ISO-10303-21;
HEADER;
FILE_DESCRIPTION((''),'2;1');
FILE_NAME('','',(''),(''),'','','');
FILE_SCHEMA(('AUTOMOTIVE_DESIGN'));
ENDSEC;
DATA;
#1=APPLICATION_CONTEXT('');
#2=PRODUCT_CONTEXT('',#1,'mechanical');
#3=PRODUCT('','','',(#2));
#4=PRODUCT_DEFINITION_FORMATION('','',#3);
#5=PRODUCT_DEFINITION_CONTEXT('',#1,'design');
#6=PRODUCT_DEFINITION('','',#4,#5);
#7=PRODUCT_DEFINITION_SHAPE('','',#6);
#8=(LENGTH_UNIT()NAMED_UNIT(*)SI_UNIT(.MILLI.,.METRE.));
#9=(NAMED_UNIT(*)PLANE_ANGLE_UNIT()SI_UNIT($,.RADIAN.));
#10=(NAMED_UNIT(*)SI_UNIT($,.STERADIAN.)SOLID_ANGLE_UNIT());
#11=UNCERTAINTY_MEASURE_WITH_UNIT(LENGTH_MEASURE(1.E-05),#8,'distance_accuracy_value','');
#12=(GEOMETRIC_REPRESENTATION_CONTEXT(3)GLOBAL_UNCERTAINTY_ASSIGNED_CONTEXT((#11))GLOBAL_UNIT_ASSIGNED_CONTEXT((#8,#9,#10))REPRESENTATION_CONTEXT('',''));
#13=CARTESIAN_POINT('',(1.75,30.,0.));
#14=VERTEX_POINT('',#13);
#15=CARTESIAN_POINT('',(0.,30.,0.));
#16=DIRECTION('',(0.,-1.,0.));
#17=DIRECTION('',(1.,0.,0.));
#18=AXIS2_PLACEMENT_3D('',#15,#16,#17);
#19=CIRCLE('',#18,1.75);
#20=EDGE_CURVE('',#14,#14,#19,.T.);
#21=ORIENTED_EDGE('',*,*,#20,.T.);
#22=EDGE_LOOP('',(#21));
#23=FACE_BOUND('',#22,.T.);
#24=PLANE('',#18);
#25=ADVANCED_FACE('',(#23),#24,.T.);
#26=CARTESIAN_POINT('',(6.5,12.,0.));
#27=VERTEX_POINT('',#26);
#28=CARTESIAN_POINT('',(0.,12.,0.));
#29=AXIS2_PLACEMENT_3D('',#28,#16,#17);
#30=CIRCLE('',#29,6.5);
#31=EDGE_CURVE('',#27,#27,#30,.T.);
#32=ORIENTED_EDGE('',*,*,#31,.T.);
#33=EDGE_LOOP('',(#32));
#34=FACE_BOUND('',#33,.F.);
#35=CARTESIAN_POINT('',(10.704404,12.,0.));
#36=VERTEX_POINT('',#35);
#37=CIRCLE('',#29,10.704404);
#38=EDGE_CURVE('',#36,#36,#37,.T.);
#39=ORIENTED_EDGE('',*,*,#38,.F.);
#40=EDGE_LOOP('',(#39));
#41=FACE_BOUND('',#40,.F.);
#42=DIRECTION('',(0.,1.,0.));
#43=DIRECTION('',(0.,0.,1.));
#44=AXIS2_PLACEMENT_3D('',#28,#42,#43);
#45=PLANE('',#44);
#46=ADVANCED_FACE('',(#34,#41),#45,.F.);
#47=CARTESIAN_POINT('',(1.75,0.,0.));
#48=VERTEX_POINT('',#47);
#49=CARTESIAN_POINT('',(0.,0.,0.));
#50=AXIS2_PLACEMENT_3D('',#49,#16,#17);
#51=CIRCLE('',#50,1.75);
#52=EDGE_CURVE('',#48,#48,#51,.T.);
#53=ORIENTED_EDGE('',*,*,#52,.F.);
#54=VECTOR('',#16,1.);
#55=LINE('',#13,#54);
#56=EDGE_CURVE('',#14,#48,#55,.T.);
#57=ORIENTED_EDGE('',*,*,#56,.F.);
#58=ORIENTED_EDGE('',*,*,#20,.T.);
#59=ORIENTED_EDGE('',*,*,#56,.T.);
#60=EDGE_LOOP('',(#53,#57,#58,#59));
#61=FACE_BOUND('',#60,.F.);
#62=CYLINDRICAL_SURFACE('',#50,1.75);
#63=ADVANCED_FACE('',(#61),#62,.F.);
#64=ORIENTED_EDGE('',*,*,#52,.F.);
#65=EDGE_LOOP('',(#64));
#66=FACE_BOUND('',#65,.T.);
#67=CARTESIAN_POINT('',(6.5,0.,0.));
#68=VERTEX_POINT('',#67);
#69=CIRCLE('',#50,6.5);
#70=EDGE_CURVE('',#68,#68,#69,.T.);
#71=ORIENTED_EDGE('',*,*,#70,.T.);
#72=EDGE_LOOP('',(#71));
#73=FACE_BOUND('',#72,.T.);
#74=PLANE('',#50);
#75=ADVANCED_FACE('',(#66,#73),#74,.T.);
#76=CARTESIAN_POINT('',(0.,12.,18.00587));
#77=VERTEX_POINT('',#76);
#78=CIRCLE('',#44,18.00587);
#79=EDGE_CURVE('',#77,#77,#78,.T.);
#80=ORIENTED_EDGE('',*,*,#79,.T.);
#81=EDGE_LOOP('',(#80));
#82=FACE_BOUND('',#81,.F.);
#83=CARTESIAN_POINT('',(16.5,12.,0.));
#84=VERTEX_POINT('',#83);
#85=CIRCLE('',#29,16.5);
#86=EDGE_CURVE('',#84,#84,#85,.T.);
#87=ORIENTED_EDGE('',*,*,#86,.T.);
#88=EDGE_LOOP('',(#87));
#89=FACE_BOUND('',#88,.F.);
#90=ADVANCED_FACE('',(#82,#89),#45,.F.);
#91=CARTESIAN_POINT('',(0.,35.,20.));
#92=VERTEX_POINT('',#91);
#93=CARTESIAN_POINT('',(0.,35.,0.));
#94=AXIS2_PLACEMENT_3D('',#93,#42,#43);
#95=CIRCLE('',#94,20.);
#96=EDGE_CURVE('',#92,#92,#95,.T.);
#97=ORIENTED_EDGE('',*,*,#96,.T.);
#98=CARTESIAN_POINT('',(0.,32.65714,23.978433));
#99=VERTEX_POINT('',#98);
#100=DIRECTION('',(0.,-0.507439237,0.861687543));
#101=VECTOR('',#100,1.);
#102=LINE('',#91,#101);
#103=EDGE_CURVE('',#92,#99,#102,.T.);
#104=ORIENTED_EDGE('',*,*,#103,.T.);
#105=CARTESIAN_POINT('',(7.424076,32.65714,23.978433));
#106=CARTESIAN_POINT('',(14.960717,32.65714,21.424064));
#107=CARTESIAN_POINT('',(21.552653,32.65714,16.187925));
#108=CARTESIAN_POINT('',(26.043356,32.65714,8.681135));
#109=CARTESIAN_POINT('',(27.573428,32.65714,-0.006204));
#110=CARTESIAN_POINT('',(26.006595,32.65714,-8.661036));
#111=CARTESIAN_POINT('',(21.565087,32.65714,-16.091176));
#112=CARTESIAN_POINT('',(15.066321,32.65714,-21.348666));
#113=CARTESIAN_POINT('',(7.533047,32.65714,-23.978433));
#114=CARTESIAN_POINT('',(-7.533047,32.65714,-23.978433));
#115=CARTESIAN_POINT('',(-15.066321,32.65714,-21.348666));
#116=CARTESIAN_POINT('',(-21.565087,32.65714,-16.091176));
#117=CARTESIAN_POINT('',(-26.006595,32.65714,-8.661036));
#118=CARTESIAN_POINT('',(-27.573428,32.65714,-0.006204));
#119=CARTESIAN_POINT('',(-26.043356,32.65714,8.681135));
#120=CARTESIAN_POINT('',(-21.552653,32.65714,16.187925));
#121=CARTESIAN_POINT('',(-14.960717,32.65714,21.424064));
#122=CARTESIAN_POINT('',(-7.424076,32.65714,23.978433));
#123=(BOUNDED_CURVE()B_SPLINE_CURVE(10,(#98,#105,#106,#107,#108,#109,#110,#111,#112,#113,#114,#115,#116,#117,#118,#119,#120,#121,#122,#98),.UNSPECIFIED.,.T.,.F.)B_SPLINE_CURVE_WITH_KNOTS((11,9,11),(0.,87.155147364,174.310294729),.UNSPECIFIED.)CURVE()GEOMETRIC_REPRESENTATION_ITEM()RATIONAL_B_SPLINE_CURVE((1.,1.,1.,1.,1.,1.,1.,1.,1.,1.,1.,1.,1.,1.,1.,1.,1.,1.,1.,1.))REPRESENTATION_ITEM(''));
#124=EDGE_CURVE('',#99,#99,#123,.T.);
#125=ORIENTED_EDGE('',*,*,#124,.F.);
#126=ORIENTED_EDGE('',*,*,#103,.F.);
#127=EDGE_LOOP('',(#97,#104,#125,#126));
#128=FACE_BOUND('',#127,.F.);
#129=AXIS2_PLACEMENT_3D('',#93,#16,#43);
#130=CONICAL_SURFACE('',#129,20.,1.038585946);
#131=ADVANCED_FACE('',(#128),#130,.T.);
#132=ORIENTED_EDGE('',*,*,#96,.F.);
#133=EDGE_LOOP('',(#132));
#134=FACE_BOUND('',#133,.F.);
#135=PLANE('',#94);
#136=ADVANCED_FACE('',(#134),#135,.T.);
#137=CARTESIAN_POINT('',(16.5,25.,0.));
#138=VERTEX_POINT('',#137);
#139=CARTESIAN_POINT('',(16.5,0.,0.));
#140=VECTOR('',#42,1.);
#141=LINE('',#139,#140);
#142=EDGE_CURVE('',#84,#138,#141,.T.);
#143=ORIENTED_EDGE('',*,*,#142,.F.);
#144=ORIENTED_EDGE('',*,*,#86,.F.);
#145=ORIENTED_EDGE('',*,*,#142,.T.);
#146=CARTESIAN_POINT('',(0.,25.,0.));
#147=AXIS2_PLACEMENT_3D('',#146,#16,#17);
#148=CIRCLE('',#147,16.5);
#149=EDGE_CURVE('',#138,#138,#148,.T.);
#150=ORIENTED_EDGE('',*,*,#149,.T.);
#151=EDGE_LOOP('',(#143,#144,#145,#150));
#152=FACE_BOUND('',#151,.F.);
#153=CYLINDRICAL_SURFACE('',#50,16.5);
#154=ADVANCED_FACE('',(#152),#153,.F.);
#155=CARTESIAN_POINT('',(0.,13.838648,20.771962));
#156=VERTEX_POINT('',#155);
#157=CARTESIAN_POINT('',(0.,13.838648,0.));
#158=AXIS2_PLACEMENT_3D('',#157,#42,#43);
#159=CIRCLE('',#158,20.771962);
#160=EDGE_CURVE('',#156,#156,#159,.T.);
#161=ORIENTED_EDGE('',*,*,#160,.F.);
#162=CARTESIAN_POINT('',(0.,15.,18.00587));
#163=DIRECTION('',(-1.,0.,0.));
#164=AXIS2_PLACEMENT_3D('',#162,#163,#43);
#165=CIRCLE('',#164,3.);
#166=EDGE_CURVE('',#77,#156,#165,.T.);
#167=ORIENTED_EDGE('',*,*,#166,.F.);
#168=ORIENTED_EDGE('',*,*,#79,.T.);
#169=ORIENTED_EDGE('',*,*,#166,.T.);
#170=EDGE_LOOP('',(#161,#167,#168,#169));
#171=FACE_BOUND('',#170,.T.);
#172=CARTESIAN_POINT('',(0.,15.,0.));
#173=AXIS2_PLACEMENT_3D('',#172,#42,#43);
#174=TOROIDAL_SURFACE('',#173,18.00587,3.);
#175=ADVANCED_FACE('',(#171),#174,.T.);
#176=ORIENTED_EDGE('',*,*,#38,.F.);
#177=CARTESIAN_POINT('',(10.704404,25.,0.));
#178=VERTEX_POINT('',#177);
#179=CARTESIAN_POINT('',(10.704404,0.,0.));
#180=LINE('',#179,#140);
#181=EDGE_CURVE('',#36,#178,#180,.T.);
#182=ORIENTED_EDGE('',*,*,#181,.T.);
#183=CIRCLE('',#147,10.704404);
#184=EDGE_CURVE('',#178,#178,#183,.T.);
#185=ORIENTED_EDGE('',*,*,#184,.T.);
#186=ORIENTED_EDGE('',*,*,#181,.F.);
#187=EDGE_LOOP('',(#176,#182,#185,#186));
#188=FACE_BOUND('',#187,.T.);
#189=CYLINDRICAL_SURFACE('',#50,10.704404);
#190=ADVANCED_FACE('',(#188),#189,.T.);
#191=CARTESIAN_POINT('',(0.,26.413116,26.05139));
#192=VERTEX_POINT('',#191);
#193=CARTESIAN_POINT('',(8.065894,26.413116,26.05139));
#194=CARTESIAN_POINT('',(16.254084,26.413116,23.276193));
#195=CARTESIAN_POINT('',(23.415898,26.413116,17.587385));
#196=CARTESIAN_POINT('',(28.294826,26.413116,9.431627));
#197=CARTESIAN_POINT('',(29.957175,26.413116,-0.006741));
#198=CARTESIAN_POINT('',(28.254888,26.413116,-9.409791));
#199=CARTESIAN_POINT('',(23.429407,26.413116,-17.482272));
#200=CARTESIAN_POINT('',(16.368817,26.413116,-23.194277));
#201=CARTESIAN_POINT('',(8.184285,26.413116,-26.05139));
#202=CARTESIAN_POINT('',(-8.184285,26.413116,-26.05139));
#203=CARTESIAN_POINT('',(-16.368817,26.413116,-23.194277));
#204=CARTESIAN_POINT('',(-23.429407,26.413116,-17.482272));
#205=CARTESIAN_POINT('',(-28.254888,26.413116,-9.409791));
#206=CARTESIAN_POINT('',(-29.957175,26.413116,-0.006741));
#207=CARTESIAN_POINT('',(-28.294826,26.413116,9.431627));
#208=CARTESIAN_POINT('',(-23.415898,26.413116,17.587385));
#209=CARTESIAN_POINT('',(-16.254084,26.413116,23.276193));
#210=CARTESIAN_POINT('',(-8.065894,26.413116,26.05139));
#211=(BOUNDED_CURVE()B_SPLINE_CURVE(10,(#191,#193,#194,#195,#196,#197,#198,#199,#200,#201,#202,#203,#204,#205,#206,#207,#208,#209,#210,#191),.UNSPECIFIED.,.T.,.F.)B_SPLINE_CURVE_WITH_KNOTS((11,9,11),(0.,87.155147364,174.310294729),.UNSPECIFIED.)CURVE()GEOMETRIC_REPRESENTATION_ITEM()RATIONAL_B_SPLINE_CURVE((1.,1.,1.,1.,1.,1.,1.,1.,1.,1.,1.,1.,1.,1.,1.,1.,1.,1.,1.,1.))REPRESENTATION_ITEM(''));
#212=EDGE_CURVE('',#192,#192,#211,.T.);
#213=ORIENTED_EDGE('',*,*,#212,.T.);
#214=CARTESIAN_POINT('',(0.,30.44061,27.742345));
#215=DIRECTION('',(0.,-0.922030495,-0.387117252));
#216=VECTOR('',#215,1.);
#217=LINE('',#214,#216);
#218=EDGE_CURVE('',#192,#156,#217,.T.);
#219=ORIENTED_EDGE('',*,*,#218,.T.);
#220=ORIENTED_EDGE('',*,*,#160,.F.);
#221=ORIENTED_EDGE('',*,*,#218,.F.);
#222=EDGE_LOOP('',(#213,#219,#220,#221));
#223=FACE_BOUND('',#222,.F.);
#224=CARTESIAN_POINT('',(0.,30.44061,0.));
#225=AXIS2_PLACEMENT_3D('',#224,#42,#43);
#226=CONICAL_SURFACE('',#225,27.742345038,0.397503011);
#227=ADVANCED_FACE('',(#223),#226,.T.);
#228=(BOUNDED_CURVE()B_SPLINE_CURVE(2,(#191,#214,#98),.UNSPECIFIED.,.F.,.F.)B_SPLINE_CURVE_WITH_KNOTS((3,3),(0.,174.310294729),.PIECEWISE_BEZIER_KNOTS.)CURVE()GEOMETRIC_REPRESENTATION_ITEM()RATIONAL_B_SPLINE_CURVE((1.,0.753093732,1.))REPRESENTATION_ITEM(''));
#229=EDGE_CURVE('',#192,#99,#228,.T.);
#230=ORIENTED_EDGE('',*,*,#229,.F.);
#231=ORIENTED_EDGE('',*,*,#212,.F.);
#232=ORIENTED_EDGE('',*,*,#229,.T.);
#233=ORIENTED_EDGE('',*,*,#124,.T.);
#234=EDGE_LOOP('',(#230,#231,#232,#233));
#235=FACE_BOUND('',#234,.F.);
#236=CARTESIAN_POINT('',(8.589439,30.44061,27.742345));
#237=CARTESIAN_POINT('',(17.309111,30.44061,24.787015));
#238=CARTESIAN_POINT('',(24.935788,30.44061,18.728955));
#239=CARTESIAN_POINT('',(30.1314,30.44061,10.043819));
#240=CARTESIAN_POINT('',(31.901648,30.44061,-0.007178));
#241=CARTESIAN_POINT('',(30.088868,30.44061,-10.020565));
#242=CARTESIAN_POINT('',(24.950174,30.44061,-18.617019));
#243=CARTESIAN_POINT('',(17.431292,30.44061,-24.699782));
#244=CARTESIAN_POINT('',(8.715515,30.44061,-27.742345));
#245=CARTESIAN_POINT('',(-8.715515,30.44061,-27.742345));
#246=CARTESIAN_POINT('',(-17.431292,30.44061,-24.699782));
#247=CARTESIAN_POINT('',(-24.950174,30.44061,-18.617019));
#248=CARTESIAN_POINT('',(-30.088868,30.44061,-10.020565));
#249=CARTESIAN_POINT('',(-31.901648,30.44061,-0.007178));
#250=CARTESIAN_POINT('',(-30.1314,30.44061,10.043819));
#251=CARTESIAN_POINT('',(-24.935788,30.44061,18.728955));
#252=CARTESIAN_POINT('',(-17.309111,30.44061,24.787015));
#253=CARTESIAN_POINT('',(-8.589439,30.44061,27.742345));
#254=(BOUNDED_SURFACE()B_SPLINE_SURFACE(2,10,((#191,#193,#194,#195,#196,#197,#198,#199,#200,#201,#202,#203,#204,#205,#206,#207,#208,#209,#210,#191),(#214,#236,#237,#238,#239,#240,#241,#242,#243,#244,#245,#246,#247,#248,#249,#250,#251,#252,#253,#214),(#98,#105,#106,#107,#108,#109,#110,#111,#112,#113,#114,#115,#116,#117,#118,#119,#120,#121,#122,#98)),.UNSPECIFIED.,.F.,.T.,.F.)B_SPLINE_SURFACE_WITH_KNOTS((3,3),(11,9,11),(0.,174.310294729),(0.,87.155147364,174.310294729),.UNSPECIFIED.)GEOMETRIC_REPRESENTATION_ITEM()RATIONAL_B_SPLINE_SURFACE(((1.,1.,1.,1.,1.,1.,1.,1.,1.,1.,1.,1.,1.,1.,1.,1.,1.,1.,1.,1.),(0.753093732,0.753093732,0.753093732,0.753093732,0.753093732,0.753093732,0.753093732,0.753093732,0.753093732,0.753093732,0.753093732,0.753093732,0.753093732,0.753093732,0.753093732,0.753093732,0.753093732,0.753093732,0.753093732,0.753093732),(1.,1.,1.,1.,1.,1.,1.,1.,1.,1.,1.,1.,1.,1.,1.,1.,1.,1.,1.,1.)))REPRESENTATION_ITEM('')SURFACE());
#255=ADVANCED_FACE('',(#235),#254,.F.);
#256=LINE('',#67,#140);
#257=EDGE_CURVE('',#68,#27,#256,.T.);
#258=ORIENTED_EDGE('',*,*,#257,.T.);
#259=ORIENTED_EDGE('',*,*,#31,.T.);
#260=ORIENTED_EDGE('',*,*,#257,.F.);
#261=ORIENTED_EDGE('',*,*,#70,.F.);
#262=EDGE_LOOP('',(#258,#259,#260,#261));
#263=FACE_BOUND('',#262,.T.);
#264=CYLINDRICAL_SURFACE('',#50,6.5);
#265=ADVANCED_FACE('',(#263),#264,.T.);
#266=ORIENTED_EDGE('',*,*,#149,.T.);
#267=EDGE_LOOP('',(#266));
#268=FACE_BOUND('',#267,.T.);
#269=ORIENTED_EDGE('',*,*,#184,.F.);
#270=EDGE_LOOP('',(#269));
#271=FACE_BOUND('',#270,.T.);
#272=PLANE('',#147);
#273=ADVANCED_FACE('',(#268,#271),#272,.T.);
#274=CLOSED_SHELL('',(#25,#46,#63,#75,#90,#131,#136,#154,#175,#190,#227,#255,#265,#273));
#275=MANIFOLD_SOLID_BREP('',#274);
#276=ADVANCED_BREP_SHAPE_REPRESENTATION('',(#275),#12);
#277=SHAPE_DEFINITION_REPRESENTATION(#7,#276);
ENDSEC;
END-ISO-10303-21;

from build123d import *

# Parameters (mm, degrees)
F0_R     = 6.5
F0_R_2   = 1.75
F3_DEPTH = 20
F4_DEPTH = 30
F5_R     = 3
F6_R     = 5
F7_R     = 16.5
F7_R_2   = 10.70440387
F8_DEPTH = 25


with BuildPart() as f2:
    # F1 (on Right) → F2 (revolve)
    with BuildSketch(Plane.YZ):
        Polygon((12, 20), (12, 0), (35, 0), (35, 20), (30.4406098954, 27.7423450379), align=None)
    revolve(axis=Axis((0, 35.946440883, 0), (0, 1, 0)))

    # F0 (on Front) → F3 (join)
    with BuildSketch(Plane.XZ):
        Circle(F0_R)
        Circle(F0_R_2, mode=Mode.SUBTRACT)
    extrude(amount=-F3_DEPTH)

    # F0 (on Front) → F4 (cut)
    with BuildSketch(Plane.XZ):
        Circle(F0_R_2)
    extrude(amount=-F4_DEPTH, mode=Mode.SUBTRACT)

    # F5
    f5_edges = [f2.edges().sort_by_distance(p)[0] for p in [
        (0, 12, -20),
    ]]
    fillet(f5_edges, radius=F5_R)

    # F6
    f6_edges = [f2.edges().sort_by_distance(p)[0] for p in [
        (0, 30.44061, -27.742345),
    ]]
    fillet(f6_edges, radius=F6_R)

    # F7 (on Front) → F8 (cut)
    with BuildSketch(Plane.XZ):
        Circle(F7_R)
        Circle(F7_R_2, mode=Mode.SUBTRACT)
    extrude(amount=-F8_DEPTH, mode=Mode.SUBTRACT)


solid = f2.part
